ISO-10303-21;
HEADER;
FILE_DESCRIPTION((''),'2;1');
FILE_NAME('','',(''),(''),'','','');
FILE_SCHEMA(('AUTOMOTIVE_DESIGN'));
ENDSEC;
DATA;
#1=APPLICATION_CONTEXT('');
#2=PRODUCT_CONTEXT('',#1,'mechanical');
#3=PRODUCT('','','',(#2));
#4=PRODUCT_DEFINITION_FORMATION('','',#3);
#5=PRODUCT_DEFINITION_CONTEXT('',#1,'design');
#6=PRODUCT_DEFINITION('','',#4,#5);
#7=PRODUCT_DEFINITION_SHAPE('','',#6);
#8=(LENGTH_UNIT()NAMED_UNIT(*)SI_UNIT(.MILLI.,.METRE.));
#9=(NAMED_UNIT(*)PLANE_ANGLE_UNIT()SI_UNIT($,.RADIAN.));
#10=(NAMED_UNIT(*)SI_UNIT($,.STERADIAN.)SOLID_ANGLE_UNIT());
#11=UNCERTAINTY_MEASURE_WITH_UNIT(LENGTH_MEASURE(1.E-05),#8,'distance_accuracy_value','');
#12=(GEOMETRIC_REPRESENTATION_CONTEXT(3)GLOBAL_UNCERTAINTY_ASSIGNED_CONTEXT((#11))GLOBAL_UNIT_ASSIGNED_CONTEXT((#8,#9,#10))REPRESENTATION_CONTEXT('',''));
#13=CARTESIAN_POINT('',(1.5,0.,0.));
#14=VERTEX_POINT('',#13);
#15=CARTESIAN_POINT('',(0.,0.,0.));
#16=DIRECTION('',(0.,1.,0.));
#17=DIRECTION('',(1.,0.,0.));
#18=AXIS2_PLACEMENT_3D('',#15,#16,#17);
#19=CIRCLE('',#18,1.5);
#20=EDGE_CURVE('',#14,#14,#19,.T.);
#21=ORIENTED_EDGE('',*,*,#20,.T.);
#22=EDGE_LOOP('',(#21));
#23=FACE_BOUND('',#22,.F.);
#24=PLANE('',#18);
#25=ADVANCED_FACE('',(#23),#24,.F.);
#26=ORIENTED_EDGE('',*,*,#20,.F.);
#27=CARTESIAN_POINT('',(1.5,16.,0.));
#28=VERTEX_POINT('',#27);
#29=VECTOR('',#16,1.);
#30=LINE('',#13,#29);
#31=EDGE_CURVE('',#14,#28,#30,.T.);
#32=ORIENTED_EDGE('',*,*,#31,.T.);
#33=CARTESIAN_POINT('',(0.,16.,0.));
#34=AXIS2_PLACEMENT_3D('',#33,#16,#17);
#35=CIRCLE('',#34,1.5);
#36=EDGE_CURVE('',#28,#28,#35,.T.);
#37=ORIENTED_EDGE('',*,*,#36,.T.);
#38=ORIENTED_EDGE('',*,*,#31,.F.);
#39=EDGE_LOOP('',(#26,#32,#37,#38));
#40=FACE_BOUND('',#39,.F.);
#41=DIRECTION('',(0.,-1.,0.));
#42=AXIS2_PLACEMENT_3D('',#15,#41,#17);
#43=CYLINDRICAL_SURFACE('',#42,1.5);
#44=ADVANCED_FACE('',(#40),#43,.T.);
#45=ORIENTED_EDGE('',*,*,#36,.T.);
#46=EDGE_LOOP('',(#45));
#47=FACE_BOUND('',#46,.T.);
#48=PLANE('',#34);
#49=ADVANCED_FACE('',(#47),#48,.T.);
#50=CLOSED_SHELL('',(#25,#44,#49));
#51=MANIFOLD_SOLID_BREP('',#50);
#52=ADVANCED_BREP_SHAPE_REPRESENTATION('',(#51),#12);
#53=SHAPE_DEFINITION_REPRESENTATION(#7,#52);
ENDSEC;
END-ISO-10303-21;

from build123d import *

# Parameters (mm, degrees)
SKETCH1_R           = 1.5
BOSS_EXTRUDE1_DEPTH = 16


with BuildPart() as part:
    # Sketch1 → Boss-Extrude1 (new body)
    with BuildSketch(Plane(origin=(0, 0, 0), x_dir=(1, 0, 0), z_dir=(0, 1, 0))):
        Circle(SKETCH1_R)
    extrude(amount=BOSS_EXTRUDE1_DEPTH)


solid = part.part
